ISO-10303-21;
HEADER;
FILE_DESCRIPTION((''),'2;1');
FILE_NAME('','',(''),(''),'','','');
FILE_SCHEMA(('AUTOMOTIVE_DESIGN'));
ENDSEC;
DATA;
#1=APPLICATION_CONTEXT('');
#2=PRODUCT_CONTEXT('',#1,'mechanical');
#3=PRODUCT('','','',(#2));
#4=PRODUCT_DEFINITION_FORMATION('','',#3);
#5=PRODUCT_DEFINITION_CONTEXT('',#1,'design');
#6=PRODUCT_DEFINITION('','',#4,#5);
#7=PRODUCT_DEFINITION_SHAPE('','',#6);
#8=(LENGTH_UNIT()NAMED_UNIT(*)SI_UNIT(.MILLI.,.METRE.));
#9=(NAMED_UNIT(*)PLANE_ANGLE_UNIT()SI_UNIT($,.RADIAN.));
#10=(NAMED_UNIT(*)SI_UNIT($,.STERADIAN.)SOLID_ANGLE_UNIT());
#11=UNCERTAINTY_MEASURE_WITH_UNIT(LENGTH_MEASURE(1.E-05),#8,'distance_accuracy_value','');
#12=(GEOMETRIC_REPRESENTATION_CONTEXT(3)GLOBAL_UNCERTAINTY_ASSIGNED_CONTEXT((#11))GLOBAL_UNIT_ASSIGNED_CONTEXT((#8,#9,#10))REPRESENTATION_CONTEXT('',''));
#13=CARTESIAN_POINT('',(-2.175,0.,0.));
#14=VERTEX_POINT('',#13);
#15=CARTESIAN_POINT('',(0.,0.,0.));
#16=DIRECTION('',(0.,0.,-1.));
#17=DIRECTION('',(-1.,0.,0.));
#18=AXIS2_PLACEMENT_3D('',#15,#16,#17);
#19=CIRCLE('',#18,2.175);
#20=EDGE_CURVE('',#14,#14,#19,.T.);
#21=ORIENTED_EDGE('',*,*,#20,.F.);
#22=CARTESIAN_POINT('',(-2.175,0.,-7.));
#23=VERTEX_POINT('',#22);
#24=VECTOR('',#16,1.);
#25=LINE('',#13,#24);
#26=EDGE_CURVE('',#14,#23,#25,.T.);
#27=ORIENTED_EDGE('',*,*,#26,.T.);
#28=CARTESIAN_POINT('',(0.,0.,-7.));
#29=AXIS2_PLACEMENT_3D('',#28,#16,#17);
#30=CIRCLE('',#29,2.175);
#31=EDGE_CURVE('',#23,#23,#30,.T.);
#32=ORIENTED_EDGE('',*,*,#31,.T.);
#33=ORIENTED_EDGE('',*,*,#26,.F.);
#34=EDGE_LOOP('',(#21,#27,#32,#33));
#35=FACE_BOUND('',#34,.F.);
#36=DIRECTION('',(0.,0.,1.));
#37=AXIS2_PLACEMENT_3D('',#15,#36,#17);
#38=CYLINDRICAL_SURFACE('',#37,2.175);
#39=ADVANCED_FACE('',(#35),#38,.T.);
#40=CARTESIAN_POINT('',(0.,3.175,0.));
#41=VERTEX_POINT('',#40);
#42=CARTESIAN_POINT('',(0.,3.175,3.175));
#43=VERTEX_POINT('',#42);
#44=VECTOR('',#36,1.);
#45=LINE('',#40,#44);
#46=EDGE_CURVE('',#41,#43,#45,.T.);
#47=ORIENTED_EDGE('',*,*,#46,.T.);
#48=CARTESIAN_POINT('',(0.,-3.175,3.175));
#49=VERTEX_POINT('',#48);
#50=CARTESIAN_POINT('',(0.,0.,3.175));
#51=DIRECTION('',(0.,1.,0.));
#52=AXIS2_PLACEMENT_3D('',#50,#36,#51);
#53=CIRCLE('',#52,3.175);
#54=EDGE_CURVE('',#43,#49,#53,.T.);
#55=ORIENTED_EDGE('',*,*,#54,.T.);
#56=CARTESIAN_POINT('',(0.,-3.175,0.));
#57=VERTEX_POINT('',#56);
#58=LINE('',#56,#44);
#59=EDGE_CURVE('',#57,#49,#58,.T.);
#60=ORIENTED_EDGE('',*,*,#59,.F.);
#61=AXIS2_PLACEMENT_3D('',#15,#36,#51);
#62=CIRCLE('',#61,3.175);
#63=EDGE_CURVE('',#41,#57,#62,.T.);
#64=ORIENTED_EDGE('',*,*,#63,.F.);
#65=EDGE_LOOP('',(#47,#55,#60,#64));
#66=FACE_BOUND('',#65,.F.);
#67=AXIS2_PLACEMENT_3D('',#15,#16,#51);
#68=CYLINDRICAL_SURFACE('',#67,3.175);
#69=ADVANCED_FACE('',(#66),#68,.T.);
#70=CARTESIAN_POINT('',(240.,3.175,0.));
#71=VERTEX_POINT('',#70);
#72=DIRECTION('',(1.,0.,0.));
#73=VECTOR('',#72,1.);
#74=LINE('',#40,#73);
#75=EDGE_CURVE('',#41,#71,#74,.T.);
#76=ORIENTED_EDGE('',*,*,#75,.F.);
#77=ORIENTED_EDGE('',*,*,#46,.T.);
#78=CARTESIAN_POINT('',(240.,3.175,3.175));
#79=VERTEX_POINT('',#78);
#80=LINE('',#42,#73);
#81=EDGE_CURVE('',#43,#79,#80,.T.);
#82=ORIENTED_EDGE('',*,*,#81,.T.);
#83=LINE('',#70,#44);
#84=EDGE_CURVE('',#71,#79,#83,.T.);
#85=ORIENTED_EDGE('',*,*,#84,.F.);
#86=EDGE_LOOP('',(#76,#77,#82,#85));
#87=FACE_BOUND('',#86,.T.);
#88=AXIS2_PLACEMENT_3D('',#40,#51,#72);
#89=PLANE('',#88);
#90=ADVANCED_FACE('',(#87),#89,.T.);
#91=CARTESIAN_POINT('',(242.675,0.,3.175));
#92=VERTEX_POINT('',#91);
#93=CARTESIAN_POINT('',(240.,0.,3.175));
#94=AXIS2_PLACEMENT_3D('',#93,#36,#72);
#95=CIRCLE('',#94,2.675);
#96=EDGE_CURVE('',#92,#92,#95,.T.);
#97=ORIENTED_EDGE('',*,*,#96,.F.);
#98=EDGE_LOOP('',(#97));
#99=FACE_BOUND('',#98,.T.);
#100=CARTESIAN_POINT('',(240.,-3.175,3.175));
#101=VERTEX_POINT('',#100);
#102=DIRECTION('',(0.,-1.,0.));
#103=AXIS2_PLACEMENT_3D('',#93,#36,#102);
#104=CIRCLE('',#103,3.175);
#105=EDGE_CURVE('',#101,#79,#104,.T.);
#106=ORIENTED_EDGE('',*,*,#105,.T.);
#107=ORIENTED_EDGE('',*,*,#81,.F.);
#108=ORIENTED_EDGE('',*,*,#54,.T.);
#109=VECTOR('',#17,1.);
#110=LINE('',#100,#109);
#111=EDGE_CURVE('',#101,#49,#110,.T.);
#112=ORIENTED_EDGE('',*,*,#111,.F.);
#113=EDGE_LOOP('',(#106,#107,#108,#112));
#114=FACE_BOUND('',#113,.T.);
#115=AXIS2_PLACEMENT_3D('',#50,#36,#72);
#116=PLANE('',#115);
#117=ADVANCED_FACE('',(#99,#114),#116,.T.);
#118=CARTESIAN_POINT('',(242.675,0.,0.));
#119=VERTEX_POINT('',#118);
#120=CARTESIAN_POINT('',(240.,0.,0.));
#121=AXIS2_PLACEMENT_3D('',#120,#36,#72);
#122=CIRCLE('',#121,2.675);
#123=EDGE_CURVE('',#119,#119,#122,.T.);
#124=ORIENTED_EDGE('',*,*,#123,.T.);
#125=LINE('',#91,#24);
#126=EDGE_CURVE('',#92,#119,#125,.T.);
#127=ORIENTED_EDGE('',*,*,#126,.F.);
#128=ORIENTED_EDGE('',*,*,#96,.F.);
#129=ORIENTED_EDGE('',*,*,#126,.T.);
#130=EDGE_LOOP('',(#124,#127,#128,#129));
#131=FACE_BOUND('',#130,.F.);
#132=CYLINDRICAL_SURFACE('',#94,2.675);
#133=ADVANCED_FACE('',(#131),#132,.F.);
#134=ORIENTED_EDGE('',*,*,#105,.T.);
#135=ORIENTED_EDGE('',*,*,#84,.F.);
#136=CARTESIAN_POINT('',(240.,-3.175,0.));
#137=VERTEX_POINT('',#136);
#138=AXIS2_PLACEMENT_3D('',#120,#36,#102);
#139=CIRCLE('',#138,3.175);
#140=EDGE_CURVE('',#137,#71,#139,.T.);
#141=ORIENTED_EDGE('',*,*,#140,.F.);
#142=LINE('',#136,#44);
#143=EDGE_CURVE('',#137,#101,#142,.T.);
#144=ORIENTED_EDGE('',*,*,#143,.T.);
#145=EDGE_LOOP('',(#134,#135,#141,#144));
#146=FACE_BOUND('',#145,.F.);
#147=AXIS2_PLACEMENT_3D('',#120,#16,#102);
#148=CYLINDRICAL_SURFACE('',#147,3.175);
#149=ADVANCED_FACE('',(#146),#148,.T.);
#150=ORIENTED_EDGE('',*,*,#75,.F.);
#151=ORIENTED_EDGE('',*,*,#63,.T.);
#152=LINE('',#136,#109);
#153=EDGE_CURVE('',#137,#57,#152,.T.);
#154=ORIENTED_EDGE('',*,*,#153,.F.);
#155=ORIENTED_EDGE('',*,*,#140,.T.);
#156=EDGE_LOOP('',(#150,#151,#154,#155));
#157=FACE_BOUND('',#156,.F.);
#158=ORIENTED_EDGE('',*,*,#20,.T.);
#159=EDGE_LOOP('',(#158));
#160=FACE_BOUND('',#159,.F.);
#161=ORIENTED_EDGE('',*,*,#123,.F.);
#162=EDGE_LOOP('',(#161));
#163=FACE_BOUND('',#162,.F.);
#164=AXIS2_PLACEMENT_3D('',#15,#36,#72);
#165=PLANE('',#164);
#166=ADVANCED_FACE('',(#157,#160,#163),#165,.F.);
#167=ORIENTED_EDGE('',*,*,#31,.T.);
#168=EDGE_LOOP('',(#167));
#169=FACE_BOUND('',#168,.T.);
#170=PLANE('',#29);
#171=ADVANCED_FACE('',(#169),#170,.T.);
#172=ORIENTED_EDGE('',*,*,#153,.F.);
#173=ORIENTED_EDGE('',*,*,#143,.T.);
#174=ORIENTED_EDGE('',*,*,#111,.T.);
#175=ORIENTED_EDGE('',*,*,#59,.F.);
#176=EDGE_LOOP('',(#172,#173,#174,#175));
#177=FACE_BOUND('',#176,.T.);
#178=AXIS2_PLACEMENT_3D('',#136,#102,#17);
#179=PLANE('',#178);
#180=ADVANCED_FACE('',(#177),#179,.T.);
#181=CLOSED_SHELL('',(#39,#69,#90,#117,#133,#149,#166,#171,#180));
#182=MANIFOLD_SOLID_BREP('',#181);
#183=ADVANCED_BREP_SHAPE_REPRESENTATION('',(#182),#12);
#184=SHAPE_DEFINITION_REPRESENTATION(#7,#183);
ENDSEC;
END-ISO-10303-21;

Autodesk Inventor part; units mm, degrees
ref_plane "YZ Plane" through (0, 0, 0) normal (1, 0, 0) x (0, 1, 0)
ref_plane "XZ Plane" through (0, 0, 0) normal (0, 1, 0) x (-1, 0, 0)
ref_plane "XY Plane" through (0, 0, 0) normal (0, 0, 1) x (1, 0, 0)
sketch "Boceto1" plane through (0, 0, 0) normal (0, 0, 1) x (1, 0, 0)
  arc A0 (0, 3.175) -> (0, -3.175) centre (0, 0) ccw
  arc A1 (240, -3.175) -> (240, 3.175) centre (240, 0) ccw
  line L0 (0, 3.175) -> (240, 3.175)
  line L1 (240, -3.175) -> (0, -3.175)
  dimension "d0" = 6.35
  dimension "d3" = 6.35
extrude "Extrusión1" add sketch "Boceto1" along normal blind 3.175
sketch "Boceto2" plane through (0, 0, 0) normal (0, 0, -1) x (-1, 0, 0)
  circle A0 centre (0, 0) radius 2.175
extrude "Extrusión2" add sketch "Boceto2" along normal blind 7
sketch "Boceto3" plane through (0, 0, 3.175) normal (0, 0, 1) x (1, 0, 0)
  arc A0 (240, -3.175) -> (240, 3.175) centre (240, 0) ccw projected
  circle A1 centre (240, 0) radius 3.175
  circle A2 centre (240, 0) radius 2.675
  point P0 (0, 0)
  dimension "d10" = 6.35
  dimension "d11" = 0.5
extrude "Extrusión3" cut sketch "Boceto3" against normal blind 5 contours A2
properties part number "eslabon_1" material "Aluminio 6061"
